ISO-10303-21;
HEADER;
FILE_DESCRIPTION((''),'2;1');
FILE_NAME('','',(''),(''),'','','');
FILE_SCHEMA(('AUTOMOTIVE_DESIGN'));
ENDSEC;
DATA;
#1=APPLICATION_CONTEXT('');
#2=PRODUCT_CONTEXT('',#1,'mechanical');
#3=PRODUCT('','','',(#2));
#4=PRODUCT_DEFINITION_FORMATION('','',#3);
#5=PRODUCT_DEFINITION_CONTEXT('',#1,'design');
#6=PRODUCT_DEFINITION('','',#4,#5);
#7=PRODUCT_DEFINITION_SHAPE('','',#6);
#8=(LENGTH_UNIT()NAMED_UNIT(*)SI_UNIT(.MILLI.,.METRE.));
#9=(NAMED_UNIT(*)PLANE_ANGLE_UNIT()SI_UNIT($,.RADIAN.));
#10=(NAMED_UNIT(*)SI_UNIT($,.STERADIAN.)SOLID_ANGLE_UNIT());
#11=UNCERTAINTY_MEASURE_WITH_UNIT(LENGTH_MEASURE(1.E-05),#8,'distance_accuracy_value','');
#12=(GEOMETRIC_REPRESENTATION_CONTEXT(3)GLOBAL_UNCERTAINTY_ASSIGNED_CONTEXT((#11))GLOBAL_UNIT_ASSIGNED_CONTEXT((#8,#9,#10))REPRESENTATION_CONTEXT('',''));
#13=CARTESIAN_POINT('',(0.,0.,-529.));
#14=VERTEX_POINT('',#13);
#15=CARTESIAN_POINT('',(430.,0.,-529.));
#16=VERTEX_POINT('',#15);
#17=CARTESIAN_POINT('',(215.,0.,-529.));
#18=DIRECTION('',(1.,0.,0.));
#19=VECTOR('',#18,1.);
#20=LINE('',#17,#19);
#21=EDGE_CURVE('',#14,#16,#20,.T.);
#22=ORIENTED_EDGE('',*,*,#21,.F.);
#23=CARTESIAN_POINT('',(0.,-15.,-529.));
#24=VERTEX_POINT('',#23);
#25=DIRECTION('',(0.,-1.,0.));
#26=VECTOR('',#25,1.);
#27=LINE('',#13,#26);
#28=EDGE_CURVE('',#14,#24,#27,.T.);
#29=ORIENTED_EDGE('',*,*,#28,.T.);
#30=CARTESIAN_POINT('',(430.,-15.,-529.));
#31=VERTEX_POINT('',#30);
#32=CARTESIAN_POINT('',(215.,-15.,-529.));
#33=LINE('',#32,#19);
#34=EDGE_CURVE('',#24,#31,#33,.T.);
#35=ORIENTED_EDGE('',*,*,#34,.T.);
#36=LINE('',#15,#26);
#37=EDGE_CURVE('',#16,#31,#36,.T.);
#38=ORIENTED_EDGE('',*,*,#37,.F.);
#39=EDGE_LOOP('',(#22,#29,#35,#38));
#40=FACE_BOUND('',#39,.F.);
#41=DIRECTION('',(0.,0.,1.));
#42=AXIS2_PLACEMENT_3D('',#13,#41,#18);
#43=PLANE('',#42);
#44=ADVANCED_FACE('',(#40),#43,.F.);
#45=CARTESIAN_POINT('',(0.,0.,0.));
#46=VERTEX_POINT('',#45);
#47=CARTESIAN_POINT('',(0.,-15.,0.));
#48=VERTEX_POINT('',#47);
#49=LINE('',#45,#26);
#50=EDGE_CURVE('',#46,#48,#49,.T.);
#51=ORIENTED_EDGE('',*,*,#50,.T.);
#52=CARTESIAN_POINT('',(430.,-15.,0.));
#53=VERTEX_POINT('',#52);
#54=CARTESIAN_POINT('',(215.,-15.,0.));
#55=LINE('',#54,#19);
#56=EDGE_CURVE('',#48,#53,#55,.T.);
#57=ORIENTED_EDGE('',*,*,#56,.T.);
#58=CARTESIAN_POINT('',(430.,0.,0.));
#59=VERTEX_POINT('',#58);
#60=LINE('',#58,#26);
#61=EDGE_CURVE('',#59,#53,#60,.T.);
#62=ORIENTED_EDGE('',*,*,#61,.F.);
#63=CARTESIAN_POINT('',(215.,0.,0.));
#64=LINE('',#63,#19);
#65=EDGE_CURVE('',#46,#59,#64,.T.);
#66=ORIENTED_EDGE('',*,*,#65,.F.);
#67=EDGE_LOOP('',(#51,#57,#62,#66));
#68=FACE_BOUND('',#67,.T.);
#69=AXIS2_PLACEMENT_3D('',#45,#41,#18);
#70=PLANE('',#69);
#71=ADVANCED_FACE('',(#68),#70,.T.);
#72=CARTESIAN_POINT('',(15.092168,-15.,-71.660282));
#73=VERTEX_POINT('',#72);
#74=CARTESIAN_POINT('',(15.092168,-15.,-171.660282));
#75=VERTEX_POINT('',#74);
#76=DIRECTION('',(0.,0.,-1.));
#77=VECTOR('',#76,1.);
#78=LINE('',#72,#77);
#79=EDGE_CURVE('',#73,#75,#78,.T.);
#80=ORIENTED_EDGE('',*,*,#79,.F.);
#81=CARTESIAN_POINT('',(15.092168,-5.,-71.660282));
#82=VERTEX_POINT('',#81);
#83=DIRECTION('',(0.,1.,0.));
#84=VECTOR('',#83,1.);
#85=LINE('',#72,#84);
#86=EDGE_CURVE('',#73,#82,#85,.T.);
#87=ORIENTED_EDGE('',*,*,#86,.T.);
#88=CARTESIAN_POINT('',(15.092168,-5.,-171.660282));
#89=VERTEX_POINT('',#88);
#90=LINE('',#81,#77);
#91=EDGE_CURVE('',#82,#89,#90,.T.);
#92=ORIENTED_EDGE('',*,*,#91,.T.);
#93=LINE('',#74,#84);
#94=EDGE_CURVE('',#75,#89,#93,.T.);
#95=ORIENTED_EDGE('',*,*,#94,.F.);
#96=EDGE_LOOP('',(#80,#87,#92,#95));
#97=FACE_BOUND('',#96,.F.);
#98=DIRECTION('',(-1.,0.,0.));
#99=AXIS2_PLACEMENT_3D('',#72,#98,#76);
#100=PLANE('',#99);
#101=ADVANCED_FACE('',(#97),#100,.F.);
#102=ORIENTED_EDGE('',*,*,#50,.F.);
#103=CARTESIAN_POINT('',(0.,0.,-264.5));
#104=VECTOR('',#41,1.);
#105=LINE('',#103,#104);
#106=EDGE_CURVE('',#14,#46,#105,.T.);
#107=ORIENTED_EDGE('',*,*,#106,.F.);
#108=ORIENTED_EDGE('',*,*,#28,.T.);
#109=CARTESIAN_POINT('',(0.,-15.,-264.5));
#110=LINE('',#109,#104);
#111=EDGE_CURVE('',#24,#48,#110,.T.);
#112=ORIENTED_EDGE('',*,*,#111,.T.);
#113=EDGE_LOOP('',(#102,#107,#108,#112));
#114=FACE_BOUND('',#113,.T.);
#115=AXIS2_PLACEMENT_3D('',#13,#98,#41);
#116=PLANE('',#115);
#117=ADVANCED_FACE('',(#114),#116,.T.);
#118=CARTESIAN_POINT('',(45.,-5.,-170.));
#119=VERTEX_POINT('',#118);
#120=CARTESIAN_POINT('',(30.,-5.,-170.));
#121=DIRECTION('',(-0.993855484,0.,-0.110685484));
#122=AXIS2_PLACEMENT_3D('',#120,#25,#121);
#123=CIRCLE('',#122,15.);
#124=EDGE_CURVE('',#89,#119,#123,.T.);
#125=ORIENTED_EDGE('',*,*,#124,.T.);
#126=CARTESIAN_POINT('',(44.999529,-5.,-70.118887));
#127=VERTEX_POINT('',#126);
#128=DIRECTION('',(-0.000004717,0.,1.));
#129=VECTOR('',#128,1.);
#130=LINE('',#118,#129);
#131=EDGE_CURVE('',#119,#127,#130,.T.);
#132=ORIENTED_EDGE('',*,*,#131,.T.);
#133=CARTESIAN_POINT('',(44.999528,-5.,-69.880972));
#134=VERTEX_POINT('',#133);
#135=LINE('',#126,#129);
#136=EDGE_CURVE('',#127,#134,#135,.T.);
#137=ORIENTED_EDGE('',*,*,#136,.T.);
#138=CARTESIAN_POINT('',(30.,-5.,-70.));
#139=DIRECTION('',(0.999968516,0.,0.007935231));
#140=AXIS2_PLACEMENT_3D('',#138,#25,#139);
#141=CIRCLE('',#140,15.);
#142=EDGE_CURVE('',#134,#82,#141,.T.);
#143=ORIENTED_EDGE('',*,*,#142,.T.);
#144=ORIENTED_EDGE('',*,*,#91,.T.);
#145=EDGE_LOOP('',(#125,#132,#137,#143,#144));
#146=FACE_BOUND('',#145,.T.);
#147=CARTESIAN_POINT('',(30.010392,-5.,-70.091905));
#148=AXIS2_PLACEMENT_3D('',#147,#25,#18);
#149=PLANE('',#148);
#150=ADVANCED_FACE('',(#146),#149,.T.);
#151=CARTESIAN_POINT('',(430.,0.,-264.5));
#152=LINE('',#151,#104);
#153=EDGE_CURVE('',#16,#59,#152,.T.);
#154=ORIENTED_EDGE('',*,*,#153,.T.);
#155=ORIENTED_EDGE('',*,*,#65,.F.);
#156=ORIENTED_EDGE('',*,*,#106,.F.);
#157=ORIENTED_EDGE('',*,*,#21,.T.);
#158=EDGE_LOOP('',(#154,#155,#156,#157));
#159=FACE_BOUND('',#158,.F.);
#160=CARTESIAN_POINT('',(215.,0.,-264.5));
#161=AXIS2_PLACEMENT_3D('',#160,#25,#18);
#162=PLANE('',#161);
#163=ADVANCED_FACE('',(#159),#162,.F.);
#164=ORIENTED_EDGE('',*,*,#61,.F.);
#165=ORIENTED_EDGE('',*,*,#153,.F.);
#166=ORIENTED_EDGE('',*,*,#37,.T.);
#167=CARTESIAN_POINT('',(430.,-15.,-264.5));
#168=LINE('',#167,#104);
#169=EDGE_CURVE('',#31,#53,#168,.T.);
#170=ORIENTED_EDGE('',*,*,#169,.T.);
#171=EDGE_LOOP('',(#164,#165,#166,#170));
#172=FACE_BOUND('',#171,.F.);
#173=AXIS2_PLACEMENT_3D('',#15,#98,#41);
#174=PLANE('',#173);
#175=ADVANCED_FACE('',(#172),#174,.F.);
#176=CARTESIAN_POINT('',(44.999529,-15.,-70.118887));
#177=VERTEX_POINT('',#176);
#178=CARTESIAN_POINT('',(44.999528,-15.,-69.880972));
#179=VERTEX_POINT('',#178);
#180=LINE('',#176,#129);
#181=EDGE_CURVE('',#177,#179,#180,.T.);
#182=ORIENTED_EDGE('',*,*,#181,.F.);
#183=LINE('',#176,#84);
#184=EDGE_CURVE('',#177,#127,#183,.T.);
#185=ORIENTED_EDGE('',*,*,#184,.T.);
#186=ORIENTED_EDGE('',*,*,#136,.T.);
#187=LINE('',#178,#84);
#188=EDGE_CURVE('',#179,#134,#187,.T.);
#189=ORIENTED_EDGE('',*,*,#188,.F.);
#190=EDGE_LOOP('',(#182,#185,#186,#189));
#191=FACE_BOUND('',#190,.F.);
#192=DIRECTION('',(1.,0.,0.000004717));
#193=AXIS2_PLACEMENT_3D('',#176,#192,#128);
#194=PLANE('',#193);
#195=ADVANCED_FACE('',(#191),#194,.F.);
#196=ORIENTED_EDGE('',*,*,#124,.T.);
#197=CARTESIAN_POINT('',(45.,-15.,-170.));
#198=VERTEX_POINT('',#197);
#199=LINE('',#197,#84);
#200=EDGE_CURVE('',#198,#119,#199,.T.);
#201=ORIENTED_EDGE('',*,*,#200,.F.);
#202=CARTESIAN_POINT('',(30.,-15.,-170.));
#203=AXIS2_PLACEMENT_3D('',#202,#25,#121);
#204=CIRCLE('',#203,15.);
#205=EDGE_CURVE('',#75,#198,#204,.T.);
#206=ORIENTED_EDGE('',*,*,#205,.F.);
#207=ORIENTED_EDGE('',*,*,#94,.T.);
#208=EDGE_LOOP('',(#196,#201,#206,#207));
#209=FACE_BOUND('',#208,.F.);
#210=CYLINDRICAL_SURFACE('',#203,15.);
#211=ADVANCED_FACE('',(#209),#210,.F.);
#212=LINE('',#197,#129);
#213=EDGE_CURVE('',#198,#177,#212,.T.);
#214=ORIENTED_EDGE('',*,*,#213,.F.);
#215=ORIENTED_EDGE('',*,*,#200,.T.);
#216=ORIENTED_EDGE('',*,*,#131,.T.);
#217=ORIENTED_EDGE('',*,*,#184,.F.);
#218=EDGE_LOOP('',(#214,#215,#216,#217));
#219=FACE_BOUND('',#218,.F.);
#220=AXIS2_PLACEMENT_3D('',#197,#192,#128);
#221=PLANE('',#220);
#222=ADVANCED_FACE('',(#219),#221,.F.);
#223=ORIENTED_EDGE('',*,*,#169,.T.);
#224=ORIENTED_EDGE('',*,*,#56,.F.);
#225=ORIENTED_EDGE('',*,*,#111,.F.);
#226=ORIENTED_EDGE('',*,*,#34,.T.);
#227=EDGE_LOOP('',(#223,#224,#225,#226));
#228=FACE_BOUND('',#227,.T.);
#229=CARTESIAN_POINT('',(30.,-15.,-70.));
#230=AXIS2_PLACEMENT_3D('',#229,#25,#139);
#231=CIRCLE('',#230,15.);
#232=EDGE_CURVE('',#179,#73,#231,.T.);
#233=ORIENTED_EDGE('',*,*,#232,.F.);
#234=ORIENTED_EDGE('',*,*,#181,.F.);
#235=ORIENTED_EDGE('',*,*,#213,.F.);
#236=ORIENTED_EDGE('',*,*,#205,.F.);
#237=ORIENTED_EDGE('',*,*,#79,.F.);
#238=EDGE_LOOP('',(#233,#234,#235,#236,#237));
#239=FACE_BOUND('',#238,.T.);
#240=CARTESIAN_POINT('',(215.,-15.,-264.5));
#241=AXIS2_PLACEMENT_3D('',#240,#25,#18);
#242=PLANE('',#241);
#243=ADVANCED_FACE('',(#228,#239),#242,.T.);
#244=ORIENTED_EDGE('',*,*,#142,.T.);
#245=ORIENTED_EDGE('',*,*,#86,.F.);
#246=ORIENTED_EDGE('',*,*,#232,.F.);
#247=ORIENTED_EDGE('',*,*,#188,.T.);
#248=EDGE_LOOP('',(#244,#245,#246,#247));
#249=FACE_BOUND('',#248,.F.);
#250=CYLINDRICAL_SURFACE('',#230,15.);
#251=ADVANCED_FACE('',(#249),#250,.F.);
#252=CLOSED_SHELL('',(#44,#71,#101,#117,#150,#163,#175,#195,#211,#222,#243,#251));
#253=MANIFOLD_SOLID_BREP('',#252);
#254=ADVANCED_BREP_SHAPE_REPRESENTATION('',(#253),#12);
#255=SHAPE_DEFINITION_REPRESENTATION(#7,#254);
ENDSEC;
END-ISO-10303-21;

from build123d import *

# Parameters (mm, degrees)
F0_W     = 430
F0_H     = 529
F1_DEPTH = 15
F3_DEPTH = 10


with BuildPart() as f1:
    # F0 (on Front) → F1 (new body)
    with BuildSketch(Plane.XZ):
        with Locations((215, -264.5)):
            Rectangle(F0_W, F0_H)
    extrude(amount=F1_DEPTH)

    # F2 (on face) → F3 (cut)
    with BuildSketch(Plane.XZ.offset(15)):
        with BuildLine():
            Line((44.9995288556, -70.118886959), (44.9995277334, -69.8809715339))
            ThreePointArc((44.9995277334, -69.8809715339), (29.1091640555, -55.0264763225), (15.0921677358, -71.6602822603))
            ThreePointArc((15.0921677358, -71.6602822603), (30.7720601887, -84.9801175918), (44.9995288556, -70.118886959))
        make_face()
        with BuildLine():
            Line((45.0000000002, -170), (44.9995288556, -70.118886959))
            ThreePointArc((44.9995288556, -70.118886959), (30.7720601887, -84.9801175918), (15.0921677358, -71.6602822603))
            Line((15.0921677358, -71.6602822603), (15.0921677358, -168.3397177397))
            ThreePointArc((15.0921677358, -168.3397177397), (30.8314192798, -155.0230596589), (45, -170))
        make_face()
        with BuildLine():
            ThreePointArc((15.0921677358, -171.6602822603), (30.8314192798, -184.9769403411), (45, -170))
            ThreePointArc((45, -170), (30.8314192798, -155.0230596589), (15.0921677358, -168.3397177397))
            Line((15.0921677358, -168.3397177397), (15.0921677358, -171.6602822603))
        make_face()
    extrude(amount=-F3_DEPTH, mode=Mode.SUBTRACT)


solid = f1.part
